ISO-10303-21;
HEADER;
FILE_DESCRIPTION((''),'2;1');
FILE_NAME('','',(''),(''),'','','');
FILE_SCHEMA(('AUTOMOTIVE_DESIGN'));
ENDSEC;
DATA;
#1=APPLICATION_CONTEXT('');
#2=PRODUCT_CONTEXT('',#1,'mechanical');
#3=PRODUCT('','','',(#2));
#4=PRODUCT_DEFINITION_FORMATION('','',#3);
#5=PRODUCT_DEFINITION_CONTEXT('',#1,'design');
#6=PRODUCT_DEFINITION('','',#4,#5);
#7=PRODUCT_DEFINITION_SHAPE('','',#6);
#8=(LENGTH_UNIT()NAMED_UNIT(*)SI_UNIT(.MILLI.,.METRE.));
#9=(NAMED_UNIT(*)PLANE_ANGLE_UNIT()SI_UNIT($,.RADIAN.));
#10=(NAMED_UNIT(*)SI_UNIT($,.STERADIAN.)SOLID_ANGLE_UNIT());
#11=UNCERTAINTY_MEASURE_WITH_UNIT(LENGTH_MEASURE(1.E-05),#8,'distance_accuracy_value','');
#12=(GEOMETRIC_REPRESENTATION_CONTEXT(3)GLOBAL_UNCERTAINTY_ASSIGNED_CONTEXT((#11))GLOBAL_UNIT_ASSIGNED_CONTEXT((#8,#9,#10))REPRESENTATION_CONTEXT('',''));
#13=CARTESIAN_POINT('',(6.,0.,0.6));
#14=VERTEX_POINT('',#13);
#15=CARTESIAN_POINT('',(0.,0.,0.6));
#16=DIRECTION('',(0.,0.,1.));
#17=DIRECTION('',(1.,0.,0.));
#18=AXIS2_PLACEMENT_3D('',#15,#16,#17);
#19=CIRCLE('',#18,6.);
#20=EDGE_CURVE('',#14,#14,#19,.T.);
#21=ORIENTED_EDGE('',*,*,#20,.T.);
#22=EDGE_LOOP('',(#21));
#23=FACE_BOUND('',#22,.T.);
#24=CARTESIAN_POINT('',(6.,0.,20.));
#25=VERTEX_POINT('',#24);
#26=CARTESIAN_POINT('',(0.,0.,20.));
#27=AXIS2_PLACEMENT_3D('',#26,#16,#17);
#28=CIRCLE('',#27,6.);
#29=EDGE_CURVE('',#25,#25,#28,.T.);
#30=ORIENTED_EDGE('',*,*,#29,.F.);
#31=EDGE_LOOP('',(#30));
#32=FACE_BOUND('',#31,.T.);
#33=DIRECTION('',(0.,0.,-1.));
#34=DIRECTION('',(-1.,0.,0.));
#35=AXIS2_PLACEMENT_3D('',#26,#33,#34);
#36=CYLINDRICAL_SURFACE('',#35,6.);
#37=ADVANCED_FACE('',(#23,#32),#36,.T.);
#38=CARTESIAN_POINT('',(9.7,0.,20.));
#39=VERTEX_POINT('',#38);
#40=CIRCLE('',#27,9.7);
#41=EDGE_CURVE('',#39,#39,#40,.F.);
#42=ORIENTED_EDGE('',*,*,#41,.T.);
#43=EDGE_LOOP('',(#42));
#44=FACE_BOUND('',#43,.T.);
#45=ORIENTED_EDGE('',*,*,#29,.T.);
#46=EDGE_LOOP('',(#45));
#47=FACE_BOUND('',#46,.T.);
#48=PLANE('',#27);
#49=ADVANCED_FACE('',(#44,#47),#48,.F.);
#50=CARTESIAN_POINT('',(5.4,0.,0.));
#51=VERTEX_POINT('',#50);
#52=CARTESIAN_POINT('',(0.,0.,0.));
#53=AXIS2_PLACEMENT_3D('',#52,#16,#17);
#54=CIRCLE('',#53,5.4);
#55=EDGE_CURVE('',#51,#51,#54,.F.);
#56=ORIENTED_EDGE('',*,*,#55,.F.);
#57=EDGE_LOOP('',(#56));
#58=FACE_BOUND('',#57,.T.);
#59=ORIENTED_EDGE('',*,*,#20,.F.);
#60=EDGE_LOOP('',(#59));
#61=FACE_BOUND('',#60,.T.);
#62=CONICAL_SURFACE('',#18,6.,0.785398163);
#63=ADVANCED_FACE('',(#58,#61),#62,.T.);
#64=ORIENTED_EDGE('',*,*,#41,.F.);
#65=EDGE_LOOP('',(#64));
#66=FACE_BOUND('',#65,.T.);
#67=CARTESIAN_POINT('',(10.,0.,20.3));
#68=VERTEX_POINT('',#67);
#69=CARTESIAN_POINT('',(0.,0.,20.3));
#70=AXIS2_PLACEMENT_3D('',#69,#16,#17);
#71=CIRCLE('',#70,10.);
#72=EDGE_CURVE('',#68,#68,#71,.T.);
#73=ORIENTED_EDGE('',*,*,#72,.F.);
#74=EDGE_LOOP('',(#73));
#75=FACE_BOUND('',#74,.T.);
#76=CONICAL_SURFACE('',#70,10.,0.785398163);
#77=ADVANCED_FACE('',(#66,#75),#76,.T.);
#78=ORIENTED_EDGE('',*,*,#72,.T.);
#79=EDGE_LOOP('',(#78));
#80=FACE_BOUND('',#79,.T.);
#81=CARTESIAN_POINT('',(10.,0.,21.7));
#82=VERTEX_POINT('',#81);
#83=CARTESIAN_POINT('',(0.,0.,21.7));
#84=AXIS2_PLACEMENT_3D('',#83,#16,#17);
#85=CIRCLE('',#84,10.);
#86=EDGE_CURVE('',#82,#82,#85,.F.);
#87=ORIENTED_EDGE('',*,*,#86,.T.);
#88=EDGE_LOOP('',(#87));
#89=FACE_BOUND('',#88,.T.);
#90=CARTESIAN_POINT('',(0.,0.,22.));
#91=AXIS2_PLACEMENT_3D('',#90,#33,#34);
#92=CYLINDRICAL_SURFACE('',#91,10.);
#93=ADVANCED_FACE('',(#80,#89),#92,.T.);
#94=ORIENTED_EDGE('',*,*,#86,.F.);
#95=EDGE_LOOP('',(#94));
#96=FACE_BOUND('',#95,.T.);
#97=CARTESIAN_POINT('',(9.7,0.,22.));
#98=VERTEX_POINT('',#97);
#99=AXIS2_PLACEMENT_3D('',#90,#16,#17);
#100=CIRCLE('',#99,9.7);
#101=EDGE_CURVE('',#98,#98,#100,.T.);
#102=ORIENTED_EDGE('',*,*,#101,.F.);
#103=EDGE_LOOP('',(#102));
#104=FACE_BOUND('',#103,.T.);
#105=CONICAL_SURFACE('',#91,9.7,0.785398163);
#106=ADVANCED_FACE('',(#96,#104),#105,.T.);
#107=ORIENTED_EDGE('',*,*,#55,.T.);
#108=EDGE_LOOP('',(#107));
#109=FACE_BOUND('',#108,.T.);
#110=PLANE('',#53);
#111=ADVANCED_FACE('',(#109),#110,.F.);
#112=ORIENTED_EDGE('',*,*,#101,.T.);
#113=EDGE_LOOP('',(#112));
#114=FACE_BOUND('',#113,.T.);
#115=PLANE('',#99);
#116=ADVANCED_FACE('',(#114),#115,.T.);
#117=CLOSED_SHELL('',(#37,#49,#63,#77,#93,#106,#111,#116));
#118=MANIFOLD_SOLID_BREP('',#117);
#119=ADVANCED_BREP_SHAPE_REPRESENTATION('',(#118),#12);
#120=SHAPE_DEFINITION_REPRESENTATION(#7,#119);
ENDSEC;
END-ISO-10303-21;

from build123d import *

# Parameters (mm, degrees)
SKETCH2_R           = 6
BOSS_EXTRUDE1_DEPTH = 20
SKETCH3_R           = 10
BOSS_EXTRUDE2_DEPTH = 2
CHAMFER1_SIZE       = 0.6
CHAMFER2_SIZE       = 0.3


with BuildPart() as part:
    # Sketch2 → Boss-Extrude1 (new body)
    with BuildSketch(Plane.XY):
        Circle(SKETCH2_R)
    extrude(amount=BOSS_EXTRUDE1_DEPTH)

    # Sketch3 → Boss-Extrude2 (add)
    with BuildSketch(Plane.XY.offset(20)):
        Circle(SKETCH3_R)
    extrude(amount=BOSS_EXTRUDE2_DEPTH)

    # Chamfer1
    chamfer1_edges = [part.edges().sort_by_distance(p)[0] for p in [
        (-6, 0, 0),
    ]]
    chamfer(chamfer1_edges, length=CHAMFER1_SIZE)

    # Chamfer2
    chamfer2_edges = [part.edges().sort_by_distance(p)[0] for p in [
        (-10, 0, 20),
        (-10, 0, 22),
    ]]
    chamfer(chamfer2_edges, length=CHAMFER2_SIZE)


solid = part.part
